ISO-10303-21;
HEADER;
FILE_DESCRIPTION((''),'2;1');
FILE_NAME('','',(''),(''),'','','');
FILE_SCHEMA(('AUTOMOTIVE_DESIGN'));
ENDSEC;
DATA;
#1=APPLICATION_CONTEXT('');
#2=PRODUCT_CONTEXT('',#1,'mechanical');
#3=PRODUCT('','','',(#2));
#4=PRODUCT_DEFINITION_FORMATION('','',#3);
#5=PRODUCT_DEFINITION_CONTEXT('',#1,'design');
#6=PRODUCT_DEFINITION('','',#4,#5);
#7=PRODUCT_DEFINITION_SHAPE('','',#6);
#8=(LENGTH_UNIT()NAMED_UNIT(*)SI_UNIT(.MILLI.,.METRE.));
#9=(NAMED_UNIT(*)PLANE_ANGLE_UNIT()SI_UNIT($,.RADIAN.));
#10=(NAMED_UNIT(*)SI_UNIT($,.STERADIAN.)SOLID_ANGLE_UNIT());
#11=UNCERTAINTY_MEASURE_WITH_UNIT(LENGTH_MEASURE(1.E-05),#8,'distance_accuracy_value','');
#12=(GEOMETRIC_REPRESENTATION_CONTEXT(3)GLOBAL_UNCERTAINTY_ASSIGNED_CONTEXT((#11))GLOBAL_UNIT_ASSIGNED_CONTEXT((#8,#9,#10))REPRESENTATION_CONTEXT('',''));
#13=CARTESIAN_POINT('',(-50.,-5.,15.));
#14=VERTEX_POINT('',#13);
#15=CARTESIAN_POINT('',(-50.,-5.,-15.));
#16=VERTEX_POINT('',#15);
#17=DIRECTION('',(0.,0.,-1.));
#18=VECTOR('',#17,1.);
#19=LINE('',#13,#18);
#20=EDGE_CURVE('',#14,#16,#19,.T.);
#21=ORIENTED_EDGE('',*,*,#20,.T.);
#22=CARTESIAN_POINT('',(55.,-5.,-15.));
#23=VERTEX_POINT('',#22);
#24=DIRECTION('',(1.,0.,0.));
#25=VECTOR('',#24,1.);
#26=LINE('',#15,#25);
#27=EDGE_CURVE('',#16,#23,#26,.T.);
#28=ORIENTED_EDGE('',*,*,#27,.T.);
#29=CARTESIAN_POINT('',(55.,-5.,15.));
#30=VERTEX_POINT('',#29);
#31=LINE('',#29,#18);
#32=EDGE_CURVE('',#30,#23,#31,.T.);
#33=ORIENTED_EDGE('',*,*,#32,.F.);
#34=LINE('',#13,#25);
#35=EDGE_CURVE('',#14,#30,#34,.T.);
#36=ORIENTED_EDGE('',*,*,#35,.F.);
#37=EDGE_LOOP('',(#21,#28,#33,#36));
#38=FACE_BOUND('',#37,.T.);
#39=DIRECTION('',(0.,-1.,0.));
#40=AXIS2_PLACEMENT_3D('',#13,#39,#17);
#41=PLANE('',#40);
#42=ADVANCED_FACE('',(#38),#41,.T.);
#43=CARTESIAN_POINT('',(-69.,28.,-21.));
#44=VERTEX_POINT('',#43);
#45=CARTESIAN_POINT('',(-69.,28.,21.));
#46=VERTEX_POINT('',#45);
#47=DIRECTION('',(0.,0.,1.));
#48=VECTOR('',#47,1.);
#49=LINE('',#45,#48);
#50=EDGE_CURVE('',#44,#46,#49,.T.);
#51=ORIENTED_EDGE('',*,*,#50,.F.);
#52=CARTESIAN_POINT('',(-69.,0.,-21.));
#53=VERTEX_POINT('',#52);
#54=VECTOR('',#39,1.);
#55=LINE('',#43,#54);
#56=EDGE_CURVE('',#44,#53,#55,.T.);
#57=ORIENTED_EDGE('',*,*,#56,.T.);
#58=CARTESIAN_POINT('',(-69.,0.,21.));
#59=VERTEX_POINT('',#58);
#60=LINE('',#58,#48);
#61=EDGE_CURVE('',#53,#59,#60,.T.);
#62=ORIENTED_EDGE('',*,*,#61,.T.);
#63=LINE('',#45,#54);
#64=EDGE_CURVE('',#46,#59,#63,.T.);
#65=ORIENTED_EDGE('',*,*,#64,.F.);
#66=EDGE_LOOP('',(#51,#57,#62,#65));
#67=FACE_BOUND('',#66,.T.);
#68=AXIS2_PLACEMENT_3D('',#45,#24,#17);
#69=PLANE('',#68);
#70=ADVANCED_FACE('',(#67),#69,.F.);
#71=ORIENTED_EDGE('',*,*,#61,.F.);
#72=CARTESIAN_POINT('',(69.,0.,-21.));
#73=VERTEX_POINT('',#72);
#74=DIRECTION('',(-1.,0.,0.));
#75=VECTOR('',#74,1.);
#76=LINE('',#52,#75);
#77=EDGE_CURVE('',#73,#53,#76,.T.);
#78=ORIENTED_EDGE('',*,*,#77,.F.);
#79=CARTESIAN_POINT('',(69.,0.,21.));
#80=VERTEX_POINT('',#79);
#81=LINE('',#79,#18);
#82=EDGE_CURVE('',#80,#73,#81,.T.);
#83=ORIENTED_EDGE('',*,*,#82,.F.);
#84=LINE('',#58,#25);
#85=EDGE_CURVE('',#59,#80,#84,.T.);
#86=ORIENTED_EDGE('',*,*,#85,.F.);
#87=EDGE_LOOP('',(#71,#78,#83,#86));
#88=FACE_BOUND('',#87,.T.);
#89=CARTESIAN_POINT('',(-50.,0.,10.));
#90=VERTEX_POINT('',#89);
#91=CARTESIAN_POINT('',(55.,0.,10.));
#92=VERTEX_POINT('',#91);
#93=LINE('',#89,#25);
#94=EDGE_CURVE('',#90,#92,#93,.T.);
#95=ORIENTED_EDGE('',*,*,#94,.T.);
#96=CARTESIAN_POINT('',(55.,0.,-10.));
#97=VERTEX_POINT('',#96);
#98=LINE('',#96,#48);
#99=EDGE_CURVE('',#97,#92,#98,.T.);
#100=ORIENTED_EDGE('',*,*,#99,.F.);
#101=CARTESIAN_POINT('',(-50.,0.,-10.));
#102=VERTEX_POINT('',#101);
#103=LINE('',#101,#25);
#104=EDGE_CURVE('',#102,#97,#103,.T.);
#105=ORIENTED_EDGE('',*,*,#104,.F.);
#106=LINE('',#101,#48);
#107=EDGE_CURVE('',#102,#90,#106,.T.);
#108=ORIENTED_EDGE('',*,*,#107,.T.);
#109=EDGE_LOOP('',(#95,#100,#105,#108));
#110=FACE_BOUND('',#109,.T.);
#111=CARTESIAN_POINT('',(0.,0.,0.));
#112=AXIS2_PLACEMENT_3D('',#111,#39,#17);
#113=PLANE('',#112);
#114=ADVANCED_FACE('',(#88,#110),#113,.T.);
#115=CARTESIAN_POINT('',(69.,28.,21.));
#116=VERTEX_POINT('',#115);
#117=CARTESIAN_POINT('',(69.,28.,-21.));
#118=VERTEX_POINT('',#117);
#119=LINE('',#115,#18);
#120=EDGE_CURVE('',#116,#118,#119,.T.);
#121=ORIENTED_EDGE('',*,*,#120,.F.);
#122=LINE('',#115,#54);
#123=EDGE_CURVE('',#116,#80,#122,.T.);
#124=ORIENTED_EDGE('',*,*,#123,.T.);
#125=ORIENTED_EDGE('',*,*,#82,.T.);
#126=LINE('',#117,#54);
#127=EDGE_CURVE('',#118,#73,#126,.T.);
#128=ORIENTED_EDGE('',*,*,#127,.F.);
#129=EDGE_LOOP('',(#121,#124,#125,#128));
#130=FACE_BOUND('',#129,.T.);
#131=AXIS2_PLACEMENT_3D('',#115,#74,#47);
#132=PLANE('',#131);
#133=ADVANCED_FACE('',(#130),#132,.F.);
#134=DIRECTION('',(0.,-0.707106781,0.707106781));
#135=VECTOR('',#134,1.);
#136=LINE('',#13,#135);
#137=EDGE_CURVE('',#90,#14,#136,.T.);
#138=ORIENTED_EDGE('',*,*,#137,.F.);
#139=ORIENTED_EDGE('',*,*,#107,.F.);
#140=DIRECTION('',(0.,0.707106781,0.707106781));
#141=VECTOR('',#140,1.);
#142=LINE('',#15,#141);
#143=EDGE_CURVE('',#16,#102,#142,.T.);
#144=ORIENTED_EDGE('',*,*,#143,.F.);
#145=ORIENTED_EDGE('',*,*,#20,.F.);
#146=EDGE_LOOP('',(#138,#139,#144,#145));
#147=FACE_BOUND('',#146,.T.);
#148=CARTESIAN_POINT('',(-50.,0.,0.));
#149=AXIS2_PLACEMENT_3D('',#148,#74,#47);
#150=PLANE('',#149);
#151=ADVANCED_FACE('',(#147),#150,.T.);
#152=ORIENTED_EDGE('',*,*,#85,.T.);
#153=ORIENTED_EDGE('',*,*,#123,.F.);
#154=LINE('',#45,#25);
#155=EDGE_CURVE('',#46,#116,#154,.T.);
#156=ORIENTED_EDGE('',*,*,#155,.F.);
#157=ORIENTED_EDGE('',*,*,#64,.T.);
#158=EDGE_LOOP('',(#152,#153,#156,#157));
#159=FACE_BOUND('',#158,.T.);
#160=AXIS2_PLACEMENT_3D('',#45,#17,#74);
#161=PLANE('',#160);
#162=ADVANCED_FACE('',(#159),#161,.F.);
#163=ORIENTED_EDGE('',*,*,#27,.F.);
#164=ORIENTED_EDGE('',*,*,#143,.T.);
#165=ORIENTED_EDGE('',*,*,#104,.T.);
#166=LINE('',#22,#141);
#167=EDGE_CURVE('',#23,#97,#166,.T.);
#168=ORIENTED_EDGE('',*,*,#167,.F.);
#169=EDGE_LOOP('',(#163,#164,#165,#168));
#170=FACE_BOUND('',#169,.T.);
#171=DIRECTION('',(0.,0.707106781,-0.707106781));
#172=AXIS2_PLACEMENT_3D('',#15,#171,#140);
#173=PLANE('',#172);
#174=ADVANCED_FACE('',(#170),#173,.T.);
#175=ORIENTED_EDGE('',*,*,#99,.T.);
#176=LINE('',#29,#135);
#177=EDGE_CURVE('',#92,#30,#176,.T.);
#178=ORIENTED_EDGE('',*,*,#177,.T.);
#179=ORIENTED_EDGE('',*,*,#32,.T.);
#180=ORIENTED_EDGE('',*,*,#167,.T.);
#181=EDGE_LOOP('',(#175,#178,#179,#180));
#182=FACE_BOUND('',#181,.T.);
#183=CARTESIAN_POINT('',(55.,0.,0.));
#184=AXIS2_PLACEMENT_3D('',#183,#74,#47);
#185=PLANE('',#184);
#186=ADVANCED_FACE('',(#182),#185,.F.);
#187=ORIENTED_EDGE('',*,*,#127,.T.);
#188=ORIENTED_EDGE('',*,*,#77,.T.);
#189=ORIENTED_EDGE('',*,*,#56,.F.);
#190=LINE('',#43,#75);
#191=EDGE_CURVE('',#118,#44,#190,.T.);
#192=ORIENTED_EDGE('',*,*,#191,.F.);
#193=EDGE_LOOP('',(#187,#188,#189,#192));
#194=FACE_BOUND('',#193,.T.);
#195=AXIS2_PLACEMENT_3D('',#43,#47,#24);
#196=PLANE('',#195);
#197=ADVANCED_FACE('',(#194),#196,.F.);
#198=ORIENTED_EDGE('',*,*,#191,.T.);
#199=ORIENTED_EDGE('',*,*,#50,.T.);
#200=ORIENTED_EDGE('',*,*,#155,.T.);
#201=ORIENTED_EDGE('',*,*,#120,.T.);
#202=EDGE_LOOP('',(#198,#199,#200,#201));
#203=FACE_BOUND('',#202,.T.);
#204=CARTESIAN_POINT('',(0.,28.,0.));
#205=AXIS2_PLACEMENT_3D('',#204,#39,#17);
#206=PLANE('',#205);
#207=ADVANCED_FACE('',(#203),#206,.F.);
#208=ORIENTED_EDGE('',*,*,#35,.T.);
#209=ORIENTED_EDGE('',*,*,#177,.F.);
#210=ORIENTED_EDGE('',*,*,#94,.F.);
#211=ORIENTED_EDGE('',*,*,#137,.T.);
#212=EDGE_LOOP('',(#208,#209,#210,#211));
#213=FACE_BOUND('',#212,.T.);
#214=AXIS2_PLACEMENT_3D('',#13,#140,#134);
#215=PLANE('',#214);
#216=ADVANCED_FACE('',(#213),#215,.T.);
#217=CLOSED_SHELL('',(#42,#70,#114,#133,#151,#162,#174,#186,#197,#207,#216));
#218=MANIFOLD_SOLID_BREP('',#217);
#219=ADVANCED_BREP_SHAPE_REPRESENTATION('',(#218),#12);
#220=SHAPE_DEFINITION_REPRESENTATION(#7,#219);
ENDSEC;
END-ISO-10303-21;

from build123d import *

# Parameters (mm, degrees)
SKETCH1_W           = 138
SKETCH1_H           = 42
BOSS_EXTRUDE1_DEPTH = 28
BOSS_EXTRUDE2_START = -14
BOSS_EXTRUDE2_DEPTH = 105


with BuildPart() as part:
    # Sketch1 → Boss-Extrude1 (new body)
    with BuildSketch(Plane(origin=(0, 0, 0), x_dir=(1, 0, 0), z_dir=(0, 1, 0))):
        Rectangle(SKETCH1_W, SKETCH1_H)
    extrude(amount=BOSS_EXTRUDE1_DEPTH)

    # Sketch3 → Boss-Extrude2 (add)
    with BuildSketch(Plane(origin=(69, 0, 0), x_dir=(0, 0, -1), z_dir=(1, 0, 0)).offset(BOSS_EXTRUDE2_START)):
        Polygon((-15, -5), (15, -5), (10, 0), (-10, 0), align=None)
    extrude(amount=-BOSS_EXTRUDE2_DEPTH)


solid = part.part
